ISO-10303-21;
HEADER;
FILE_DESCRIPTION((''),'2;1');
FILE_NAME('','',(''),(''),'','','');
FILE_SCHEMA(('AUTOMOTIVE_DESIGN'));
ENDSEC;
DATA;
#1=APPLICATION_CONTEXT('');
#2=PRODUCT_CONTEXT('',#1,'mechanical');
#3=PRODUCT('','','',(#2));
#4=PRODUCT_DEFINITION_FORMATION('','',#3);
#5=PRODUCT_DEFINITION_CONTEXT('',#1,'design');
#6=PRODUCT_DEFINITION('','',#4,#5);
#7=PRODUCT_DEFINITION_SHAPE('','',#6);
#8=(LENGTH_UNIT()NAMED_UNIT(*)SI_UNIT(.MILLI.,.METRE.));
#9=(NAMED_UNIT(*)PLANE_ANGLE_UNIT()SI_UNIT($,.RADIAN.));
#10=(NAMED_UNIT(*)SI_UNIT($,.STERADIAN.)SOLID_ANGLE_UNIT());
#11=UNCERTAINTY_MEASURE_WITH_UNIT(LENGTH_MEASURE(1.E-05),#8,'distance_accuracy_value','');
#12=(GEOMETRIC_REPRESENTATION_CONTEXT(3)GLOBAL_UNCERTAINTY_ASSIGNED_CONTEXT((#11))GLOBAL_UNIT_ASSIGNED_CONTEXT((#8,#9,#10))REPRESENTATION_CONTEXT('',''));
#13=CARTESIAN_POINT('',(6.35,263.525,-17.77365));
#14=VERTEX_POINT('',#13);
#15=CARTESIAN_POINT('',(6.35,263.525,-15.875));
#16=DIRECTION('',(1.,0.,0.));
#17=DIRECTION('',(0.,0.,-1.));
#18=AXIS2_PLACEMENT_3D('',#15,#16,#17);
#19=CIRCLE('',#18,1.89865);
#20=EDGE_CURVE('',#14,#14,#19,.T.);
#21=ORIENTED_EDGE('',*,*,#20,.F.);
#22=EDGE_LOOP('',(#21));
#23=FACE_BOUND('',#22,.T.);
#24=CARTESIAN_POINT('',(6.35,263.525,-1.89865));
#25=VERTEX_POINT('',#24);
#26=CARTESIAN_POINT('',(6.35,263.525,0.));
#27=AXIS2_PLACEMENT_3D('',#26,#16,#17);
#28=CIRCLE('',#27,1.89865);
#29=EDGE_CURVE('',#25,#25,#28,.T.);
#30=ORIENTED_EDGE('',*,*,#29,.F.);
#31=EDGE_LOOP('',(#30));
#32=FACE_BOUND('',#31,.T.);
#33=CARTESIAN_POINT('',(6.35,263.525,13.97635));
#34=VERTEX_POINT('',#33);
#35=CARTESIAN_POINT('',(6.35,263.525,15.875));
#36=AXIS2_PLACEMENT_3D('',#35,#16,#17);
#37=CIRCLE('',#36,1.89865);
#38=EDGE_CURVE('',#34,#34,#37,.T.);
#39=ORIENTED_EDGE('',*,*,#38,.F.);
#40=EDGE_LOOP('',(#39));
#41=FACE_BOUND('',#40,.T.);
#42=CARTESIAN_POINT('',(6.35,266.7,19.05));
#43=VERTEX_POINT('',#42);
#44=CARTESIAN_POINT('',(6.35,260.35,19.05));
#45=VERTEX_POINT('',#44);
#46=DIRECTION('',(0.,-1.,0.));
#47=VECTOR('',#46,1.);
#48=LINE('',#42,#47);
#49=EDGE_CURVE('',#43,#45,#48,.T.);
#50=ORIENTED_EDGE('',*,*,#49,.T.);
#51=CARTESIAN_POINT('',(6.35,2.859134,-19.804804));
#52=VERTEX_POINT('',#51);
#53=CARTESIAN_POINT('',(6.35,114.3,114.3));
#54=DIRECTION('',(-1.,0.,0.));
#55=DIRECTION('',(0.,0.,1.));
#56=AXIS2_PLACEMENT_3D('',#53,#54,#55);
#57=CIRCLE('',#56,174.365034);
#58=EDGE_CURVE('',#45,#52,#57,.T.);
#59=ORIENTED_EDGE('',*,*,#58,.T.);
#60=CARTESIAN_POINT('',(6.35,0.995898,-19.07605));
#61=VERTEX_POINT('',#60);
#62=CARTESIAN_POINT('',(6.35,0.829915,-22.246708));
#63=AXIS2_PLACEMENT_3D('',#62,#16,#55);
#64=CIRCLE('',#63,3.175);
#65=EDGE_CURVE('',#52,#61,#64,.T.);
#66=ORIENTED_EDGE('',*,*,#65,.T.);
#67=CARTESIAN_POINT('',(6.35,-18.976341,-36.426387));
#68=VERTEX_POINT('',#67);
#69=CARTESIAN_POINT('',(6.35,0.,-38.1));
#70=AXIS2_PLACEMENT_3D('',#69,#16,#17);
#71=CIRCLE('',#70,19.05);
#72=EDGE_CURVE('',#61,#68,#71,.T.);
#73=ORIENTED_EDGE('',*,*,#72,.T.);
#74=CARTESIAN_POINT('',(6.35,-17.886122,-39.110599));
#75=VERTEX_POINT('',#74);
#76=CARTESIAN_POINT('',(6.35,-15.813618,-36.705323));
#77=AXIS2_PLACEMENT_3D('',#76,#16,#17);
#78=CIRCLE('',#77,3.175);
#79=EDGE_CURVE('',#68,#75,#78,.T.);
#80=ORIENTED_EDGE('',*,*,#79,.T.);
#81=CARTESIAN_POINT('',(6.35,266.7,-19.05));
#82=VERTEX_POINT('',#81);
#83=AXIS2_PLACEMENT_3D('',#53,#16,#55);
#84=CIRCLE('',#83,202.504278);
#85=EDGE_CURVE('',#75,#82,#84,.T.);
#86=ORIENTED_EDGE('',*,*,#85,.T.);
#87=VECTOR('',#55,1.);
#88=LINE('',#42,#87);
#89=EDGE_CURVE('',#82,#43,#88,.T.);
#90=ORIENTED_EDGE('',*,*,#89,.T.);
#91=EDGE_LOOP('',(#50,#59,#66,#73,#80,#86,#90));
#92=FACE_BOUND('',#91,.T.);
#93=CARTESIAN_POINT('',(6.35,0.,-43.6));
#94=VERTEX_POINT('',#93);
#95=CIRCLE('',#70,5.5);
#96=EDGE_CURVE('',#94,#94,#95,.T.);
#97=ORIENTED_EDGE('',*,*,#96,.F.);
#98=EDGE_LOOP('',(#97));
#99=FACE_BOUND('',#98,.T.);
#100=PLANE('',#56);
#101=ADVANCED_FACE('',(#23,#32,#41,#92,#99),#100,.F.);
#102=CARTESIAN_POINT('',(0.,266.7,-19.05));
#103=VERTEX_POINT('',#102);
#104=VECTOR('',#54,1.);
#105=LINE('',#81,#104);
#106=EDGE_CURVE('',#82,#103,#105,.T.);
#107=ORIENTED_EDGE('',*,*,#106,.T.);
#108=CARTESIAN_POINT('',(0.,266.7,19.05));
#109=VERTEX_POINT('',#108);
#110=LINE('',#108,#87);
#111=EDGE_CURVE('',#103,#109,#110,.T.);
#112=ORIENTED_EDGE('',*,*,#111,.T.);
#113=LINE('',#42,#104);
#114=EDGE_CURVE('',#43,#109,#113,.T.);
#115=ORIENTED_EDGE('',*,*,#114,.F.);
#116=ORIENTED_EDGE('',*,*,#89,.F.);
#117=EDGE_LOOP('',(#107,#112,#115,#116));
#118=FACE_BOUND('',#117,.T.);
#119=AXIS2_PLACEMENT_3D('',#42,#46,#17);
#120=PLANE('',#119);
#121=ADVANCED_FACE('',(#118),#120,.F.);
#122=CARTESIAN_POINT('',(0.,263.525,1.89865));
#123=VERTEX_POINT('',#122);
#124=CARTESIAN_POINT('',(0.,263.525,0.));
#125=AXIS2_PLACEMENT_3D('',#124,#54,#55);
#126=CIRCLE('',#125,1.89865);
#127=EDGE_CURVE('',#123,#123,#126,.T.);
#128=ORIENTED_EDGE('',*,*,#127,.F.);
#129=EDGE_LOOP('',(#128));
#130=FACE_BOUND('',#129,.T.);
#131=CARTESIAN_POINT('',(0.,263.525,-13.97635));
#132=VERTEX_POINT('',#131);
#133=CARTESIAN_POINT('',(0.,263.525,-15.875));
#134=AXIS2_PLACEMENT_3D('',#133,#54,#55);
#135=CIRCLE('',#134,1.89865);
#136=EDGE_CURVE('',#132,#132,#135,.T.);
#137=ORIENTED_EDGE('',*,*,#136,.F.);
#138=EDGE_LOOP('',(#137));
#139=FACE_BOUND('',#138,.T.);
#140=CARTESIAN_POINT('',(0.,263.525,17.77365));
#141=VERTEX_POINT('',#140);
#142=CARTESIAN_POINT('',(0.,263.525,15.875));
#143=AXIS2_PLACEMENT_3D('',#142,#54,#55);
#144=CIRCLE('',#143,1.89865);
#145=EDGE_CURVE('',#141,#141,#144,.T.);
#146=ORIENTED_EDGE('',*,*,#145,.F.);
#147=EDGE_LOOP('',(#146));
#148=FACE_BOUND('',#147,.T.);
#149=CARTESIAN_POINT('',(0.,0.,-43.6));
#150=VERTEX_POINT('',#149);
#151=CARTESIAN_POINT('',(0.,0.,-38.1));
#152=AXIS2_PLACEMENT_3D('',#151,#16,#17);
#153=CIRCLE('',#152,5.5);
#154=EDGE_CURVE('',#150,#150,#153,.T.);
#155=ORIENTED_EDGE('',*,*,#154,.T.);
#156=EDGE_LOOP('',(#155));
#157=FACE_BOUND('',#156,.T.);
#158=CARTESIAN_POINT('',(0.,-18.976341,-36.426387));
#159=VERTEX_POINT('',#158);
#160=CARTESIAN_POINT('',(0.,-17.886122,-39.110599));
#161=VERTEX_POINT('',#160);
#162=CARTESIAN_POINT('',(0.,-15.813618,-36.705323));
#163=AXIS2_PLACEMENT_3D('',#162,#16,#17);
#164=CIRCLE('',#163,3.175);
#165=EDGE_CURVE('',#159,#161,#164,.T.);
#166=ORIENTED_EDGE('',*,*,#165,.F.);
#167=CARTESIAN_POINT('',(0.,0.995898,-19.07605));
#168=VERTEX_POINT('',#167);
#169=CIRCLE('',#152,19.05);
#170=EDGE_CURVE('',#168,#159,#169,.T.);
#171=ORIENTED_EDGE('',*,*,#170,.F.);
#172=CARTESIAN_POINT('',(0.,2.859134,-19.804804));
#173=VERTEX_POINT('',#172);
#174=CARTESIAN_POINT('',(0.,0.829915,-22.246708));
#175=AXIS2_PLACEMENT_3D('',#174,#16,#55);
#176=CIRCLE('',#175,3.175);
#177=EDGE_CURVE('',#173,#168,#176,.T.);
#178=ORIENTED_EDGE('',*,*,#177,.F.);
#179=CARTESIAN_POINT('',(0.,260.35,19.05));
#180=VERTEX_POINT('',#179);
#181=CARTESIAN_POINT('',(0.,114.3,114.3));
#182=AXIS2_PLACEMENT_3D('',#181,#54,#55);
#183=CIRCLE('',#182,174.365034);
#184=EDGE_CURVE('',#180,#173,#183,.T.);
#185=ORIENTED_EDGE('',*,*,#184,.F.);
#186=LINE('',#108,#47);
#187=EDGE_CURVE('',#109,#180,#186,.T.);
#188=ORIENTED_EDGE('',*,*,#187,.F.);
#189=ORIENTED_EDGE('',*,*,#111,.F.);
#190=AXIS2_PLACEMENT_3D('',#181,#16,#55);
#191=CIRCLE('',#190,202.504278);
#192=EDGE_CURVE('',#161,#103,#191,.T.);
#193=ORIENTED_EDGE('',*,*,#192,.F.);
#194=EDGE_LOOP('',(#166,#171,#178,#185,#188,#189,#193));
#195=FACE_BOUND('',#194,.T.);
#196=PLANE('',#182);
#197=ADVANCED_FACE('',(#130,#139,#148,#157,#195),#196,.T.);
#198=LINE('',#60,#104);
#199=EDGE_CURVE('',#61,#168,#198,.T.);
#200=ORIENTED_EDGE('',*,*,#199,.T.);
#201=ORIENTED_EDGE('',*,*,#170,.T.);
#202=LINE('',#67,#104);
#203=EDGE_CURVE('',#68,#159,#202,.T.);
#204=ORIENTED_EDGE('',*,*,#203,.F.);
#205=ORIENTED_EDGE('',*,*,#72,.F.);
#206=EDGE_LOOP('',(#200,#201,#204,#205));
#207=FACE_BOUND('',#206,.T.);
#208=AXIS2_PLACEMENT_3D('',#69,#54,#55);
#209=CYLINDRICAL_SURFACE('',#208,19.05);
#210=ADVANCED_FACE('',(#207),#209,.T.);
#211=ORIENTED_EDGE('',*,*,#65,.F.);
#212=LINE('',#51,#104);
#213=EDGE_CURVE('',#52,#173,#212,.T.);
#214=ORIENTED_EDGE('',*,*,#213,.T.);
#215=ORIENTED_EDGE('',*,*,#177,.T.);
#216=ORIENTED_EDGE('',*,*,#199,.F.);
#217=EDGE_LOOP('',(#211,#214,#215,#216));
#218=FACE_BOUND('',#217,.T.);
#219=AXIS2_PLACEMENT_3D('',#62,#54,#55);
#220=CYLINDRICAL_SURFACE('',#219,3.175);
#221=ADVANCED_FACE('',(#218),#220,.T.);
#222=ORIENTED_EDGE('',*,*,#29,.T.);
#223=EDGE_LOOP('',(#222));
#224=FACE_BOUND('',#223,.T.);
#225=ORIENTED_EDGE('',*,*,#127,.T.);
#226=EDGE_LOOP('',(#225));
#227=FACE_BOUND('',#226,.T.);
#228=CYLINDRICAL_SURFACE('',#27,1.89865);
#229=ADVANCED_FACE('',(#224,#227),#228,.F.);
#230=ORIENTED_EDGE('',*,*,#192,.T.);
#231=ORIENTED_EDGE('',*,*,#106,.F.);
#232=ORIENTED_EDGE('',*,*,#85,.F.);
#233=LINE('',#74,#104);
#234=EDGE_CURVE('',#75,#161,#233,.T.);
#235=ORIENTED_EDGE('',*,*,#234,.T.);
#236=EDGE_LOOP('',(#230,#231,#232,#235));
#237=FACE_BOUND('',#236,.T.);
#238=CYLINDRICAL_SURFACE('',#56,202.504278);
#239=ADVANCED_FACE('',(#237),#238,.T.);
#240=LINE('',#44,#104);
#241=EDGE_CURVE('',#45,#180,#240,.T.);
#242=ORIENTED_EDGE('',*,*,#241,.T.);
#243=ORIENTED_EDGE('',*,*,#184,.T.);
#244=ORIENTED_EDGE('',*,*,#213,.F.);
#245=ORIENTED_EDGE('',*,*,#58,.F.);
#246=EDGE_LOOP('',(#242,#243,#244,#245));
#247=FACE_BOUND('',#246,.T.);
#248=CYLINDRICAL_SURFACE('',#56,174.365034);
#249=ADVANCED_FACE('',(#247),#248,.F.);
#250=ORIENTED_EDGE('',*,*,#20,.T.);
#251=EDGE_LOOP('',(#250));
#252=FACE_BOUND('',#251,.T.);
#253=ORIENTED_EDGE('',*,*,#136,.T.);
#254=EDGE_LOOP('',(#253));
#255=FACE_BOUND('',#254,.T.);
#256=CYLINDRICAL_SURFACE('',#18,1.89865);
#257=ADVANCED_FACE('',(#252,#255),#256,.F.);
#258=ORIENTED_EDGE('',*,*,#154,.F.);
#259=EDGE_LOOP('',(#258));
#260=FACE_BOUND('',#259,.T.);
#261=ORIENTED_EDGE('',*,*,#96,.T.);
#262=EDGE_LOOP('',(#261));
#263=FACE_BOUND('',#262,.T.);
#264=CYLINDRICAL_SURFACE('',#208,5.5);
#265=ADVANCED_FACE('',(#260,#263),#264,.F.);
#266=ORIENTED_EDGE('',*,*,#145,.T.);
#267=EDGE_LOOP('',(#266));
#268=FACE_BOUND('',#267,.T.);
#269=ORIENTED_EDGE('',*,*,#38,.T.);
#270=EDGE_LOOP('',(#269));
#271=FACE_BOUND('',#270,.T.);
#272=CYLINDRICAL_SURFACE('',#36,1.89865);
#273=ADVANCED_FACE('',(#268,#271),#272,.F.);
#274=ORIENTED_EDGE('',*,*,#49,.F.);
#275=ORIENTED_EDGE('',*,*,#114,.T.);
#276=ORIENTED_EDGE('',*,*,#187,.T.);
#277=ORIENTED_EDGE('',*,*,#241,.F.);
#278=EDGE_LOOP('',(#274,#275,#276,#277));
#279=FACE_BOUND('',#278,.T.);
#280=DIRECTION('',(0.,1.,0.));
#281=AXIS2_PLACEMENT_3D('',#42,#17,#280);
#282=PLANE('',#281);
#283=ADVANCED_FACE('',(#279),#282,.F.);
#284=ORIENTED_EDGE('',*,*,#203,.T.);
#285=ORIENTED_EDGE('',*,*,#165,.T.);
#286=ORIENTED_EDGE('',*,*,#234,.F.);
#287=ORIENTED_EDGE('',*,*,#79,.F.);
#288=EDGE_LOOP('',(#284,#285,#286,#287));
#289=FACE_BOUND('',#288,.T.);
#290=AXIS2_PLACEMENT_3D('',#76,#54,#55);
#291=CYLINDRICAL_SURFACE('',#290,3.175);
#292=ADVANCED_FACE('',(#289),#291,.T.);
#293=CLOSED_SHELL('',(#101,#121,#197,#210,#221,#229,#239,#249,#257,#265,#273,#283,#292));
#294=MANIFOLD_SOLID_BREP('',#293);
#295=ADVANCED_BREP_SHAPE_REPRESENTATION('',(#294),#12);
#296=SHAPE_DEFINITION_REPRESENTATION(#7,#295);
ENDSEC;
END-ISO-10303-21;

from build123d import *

# Parameters (mm, degrees)
SKETCH1_R                 = 5.5
BOSS_EXTRUDE1_DEPTH       = 6.35
F_6_CLEARANCE_HOLE1_D     = 3.7973
F_6_CLEARANCE_HOLE1_DEPTH = 6.35


with BuildPart() as part:
    # Sketch1 → Boss-Extrude1 (new body)
    with BuildSketch(Plane(origin=(0, 0, 0), x_dir=(0, 0, -1), z_dir=(1, 0, 0))):
        with BuildLine():
            Line((-19.05, 266.7), (19.05, 266.7))
            ThreePointArc((19.05, 266.7), (87.703033087, 128.539281009), (39.110598571, -17.88612161))
            ThreePointArc((39.110598571, -17.88612161), (37.900092771, -18.755241175), (36.426387255, -18.976341069))
            ThreePointArc((36.426387255, -18.976341069), (23.718766847, -12.493303526), (19.076049666, 0.995898429))
            ThreePointArc((19.076049666, 0.995898429), (19.289830149, 1.986417864), (19.804803607, 2.859133845))
            ThreePointArc((19.804803607, 2.859133845), (58.113146317, 140.316763388), (-19.05, 260.35))
            Line((-19.05, 260.35), (-19.05, 266.7))
        make_face()
        with Locations((38.1, 0)):
            Circle(SKETCH1_R, mode=Mode.SUBTRACT)
    extrude(amount=BOSS_EXTRUDE1_DEPTH)

    # #6 Clearance Hole1
    with Locations(Plane(origin=(6.35, 0, 0), x_dir=(0, 0, -1), z_dir=(1, 0, 0))):
        with Locations((-15.875, 263.525), (0, 263.525), (15.875, 263.525)):
            Hole(F_6_CLEARANCE_HOLE1_D / 2, depth=F_6_CLEARANCE_HOLE1_DEPTH)


solid = part.part
